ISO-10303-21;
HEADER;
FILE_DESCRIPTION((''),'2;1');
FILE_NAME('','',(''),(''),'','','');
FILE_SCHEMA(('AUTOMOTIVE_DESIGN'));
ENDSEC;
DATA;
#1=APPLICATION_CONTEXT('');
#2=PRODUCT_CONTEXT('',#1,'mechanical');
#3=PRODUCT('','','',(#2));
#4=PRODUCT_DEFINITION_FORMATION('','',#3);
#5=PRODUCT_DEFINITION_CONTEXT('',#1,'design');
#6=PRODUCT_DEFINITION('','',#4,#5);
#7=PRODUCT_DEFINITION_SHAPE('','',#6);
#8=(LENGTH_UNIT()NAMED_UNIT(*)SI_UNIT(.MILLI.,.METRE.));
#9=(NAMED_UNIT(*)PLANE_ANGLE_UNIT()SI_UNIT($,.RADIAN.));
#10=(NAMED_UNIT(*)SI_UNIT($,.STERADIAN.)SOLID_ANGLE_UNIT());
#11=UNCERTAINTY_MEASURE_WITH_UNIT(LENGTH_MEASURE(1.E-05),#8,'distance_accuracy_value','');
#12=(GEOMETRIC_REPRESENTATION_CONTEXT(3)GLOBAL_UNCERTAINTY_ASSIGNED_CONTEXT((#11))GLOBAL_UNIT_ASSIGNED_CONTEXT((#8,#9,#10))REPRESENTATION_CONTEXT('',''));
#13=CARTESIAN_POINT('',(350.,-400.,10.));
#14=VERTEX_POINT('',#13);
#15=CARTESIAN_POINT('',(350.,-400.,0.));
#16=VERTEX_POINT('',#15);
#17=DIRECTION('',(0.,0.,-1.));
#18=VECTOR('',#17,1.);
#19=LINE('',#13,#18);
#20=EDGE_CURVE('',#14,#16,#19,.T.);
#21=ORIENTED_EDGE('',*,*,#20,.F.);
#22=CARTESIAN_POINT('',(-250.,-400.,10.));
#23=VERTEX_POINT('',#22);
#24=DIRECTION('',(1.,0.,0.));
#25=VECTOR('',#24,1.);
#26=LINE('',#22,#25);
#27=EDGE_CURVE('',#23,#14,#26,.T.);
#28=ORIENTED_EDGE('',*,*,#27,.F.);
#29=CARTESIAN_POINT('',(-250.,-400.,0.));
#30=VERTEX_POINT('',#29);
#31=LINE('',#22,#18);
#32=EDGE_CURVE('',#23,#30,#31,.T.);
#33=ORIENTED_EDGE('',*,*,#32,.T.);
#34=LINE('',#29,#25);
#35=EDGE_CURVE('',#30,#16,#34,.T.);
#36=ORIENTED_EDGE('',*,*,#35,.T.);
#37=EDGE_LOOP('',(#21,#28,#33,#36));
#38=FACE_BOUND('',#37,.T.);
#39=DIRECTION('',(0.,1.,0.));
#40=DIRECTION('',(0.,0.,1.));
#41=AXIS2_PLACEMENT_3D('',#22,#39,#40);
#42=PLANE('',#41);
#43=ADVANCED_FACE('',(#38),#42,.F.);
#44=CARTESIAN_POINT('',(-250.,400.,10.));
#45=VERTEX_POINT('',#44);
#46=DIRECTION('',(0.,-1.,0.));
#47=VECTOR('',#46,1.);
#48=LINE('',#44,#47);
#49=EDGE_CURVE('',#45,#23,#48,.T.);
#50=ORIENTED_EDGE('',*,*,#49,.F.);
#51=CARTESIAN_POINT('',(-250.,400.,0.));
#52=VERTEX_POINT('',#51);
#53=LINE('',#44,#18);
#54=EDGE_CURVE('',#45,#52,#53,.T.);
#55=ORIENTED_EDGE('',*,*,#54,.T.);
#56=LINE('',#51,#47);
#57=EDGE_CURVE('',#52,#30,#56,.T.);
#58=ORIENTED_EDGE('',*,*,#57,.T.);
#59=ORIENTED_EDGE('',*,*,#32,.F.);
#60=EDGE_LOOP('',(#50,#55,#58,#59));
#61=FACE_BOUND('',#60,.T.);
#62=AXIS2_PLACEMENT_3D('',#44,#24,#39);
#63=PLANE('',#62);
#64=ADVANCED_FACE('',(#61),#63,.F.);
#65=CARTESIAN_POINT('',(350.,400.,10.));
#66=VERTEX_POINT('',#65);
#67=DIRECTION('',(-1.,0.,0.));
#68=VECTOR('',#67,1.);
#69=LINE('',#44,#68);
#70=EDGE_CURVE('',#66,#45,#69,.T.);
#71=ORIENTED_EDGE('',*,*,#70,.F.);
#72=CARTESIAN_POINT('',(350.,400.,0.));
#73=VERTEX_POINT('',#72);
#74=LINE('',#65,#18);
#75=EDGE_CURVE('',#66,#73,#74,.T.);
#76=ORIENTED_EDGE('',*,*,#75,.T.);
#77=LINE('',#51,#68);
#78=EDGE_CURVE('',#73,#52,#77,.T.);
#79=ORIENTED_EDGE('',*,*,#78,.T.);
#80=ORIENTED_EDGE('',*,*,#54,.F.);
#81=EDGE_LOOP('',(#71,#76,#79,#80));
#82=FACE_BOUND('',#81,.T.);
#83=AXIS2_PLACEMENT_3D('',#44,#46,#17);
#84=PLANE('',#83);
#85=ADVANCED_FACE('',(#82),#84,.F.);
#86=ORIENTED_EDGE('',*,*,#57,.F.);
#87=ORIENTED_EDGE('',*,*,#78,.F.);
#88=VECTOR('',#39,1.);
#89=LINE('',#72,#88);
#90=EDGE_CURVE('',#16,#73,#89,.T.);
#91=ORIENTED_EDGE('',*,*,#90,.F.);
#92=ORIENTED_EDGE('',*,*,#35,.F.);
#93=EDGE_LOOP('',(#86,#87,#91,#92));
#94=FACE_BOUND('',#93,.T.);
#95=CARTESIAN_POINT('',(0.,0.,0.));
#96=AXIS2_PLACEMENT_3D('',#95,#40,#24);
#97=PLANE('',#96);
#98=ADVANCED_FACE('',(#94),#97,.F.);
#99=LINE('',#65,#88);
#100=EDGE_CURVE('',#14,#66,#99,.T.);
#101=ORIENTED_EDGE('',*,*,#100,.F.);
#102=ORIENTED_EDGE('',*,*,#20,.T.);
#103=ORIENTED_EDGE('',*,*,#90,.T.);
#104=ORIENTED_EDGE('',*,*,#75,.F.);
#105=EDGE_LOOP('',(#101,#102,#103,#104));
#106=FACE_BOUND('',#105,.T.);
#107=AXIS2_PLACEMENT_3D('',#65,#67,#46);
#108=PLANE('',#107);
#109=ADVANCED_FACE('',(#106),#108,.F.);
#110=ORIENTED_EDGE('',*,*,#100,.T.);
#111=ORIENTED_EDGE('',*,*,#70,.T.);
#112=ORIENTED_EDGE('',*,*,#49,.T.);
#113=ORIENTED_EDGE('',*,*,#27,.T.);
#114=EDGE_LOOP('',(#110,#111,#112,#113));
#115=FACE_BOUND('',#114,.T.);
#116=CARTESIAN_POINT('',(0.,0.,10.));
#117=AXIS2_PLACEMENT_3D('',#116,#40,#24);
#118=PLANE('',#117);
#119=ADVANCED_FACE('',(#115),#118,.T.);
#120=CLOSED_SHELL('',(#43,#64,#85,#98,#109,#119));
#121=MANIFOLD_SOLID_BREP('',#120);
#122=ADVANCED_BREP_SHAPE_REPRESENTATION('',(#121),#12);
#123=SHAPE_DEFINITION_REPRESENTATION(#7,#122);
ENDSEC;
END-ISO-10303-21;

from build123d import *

# Parameters (mm, degrees)
ESQUISSE1_W        = 600
ESQUISSE1_H        = 800
BOSS_EXTRU_1_DEPTH = 10


with BuildPart() as part:
    # Esquisse1 → Boss.-Extru.1 (new body)
    with BuildSketch(Plane.XY):
        with Locations((50, 0)):
            Rectangle(ESQUISSE1_W, ESQUISSE1_H)
    extrude(amount=BOSS_EXTRU_1_DEPTH)


solid = part.part
